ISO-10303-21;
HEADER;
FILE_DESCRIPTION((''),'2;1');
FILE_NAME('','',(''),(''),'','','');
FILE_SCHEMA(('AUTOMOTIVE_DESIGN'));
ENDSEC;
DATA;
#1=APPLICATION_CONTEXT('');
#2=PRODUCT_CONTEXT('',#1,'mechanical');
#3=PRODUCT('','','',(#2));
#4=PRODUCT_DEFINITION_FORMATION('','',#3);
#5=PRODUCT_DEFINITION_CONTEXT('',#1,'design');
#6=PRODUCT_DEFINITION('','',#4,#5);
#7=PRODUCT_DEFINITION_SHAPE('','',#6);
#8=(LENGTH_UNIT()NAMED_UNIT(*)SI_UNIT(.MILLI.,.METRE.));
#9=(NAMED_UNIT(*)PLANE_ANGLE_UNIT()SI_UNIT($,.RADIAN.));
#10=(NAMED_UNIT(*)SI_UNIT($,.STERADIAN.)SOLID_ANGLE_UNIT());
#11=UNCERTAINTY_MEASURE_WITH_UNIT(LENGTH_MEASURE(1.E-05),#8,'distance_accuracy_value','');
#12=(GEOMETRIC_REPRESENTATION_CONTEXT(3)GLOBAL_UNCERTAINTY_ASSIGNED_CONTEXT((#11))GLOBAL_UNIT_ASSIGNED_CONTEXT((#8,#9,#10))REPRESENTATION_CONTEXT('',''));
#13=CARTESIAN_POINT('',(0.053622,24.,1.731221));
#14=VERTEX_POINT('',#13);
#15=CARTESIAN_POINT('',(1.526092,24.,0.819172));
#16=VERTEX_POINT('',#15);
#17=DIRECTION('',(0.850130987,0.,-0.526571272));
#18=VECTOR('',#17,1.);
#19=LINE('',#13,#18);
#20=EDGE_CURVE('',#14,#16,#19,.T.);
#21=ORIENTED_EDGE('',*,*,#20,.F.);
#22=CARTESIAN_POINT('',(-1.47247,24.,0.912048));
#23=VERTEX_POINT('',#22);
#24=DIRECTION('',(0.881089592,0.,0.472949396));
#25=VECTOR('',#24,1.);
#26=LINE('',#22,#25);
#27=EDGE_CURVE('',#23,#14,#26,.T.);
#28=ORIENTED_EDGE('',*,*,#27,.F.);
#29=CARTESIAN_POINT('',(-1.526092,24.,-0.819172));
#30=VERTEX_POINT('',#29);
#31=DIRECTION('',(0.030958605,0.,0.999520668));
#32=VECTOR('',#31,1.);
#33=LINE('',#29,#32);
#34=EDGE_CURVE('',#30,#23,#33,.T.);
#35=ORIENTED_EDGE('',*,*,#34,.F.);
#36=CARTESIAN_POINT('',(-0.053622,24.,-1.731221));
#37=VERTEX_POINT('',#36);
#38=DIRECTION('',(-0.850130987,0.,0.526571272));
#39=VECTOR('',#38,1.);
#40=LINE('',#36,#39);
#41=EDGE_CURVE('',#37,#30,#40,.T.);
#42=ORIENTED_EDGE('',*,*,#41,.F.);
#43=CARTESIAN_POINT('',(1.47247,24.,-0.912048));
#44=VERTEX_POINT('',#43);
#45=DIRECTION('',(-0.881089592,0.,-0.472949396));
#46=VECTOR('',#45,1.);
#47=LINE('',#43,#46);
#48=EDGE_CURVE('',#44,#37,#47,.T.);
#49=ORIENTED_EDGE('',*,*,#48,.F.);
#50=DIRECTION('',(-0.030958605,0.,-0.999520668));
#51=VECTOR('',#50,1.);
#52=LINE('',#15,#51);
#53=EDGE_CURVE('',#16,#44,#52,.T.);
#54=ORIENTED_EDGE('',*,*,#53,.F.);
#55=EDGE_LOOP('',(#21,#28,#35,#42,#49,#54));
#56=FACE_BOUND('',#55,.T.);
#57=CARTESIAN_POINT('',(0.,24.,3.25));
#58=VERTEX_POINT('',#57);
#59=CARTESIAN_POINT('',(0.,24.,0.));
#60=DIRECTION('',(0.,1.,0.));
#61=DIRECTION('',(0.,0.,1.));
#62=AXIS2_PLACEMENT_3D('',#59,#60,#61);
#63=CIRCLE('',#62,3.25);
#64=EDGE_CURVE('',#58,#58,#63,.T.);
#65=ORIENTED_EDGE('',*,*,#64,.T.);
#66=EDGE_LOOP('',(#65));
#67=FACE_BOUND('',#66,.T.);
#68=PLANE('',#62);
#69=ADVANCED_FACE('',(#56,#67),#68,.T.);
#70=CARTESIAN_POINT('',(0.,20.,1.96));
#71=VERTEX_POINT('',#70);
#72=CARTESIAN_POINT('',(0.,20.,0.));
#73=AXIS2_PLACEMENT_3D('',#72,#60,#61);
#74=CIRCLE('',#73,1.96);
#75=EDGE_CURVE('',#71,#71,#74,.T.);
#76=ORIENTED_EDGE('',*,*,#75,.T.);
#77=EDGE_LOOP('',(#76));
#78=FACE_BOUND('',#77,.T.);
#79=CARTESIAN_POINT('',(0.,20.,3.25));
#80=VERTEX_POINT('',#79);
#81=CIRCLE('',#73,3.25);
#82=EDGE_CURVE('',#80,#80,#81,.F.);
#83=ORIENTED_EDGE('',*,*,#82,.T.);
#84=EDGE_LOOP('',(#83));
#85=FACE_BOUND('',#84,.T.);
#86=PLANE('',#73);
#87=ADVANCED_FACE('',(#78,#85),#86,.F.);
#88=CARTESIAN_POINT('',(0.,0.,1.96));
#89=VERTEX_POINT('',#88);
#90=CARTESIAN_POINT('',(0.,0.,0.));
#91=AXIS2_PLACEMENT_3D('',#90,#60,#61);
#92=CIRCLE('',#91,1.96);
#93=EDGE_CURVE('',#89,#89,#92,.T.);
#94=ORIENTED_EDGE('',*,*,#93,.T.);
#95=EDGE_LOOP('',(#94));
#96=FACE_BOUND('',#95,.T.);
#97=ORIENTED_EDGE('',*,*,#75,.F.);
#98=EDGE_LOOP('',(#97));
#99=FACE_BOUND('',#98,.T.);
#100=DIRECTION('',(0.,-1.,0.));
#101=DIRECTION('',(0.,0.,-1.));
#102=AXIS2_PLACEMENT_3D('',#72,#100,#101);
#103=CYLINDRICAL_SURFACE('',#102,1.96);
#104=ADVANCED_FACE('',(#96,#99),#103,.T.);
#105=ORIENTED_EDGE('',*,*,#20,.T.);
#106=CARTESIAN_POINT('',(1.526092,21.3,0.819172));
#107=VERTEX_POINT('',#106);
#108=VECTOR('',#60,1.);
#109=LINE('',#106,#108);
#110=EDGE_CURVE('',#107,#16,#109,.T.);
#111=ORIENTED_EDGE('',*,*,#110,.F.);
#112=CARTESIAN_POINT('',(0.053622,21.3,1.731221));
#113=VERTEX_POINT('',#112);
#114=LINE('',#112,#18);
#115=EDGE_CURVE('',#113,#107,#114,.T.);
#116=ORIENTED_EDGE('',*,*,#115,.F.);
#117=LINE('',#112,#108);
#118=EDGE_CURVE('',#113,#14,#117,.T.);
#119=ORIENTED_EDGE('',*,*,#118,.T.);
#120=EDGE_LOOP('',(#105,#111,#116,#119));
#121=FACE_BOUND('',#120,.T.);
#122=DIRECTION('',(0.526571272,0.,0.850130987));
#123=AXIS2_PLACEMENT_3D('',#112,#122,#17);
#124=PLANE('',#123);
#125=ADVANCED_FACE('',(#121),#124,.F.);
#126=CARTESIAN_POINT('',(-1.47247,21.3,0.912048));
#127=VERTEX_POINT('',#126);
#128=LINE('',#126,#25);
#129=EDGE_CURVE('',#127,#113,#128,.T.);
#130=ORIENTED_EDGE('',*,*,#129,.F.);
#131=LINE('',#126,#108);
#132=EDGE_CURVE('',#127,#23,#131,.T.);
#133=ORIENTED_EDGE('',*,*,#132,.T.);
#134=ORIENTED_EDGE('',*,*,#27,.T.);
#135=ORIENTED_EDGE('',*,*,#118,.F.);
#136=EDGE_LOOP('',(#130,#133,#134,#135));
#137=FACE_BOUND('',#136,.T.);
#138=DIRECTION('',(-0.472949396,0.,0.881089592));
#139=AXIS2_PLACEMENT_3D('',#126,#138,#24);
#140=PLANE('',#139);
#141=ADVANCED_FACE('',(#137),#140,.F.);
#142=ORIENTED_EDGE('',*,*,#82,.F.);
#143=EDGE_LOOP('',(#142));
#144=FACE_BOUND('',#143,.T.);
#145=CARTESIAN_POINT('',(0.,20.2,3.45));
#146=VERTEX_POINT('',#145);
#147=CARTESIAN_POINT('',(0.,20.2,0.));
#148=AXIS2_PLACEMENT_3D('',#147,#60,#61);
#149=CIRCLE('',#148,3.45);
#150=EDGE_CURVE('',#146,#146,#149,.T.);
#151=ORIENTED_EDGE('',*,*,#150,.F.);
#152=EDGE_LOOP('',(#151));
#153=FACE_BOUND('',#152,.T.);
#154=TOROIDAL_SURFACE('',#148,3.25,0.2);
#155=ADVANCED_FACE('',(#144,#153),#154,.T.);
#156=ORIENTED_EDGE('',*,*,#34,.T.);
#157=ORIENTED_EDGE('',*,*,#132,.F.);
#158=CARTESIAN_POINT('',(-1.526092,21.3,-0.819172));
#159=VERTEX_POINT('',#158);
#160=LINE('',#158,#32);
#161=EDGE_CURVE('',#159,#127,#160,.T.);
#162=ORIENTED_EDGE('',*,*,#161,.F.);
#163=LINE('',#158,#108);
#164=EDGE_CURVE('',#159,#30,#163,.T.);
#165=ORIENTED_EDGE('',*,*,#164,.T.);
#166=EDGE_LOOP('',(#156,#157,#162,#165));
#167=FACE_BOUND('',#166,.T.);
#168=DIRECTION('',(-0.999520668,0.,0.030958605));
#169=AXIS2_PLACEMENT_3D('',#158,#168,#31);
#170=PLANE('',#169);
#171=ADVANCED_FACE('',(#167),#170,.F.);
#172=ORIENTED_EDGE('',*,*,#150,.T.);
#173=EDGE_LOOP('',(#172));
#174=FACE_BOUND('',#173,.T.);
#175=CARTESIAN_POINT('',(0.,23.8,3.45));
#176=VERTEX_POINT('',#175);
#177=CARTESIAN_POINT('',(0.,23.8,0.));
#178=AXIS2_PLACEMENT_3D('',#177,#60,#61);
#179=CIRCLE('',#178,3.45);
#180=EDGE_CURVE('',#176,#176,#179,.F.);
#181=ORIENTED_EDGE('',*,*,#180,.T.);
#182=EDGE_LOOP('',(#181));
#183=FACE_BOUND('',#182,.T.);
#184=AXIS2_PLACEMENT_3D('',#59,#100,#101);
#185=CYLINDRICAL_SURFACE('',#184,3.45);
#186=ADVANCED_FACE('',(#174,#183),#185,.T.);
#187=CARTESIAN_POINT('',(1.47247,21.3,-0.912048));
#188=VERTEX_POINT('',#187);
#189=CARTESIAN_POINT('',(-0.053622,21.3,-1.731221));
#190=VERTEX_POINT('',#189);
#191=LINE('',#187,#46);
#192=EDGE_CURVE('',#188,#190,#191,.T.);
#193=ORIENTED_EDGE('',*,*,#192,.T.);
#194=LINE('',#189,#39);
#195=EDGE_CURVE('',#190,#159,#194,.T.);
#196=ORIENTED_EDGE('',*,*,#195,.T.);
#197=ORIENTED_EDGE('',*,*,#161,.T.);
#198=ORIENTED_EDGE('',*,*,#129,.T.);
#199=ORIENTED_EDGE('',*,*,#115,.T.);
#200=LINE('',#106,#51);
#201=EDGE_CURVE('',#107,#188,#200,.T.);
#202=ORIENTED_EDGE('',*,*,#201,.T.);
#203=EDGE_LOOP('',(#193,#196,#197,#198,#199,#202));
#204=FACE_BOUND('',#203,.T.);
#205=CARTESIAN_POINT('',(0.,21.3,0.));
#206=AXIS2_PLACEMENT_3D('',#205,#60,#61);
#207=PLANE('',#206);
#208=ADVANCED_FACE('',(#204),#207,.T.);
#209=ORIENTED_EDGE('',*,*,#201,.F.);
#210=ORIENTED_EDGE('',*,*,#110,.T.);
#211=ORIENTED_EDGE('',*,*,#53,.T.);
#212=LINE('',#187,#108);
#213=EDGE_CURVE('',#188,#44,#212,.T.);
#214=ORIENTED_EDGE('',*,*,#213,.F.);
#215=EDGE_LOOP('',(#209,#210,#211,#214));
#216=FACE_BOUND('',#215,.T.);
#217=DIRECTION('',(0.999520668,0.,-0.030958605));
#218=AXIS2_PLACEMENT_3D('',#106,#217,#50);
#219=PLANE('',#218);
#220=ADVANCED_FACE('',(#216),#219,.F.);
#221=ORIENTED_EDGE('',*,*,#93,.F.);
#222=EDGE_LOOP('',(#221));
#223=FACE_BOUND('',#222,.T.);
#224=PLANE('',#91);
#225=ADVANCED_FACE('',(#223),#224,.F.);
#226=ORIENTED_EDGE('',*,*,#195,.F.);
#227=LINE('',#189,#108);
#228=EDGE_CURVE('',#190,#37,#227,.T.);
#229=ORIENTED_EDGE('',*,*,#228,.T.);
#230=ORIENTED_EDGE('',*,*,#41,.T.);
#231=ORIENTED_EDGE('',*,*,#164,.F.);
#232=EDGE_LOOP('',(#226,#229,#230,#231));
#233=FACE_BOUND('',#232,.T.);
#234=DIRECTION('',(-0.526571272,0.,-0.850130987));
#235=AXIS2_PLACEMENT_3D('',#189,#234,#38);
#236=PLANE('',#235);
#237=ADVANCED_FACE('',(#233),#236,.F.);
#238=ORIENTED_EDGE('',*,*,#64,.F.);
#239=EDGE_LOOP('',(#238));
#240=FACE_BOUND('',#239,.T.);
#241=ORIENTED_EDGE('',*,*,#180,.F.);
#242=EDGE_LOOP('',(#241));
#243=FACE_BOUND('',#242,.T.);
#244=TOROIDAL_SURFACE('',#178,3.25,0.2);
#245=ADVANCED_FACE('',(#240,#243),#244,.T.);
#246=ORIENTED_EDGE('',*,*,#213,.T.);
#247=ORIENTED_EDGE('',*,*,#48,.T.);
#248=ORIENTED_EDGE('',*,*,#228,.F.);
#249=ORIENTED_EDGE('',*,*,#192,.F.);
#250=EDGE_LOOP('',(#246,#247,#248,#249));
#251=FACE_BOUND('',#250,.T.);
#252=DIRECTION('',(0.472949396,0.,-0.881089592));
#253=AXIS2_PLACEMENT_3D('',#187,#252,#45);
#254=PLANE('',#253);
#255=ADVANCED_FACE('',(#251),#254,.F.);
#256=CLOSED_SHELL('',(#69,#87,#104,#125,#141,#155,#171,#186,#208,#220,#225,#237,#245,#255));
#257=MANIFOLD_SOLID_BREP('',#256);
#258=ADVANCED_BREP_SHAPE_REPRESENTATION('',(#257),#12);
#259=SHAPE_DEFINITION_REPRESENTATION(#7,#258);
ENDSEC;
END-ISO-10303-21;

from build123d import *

# Parameters (mm, degrees)
SKETCH1_R           = 1.96
BOSS_EXTRUDE1_DEPTH = 20
SKETCH2_R           = 3.45
BOSS_EXTRUDE2_DEPTH = 4
CUT_EXTRUDE1_DEPTH  = 2.7
FILLET1_R           = 0.2


with BuildPart() as part:
    # Sketch1 → Boss-Extrude1 (new body)
    with BuildSketch(Plane(origin=(0, 0, 0), x_dir=(1, 0, 0), z_dir=(0, 1, 0))):
        with Locations(Location((0, 0, 0), (0, 0, 270))):
            Circle(SKETCH1_R)
    extrude(amount=BOSS_EXTRUDE1_DEPTH)

    # Sketch2 → Boss-Extrude2 (add)
    with BuildSketch(Plane(origin=(0, 20, 0), x_dir=(1, 0, 0), z_dir=(0, 1, 0))):
        with Locations(Location((0, 0, 0), (0, 0, 270))):
            Circle(SKETCH2_R)
    extrude(amount=BOSS_EXTRUDE2_DEPTH)

    # Sketch3 → Cut-Extrude1 (cut)
    with BuildSketch(Plane(origin=(0, 24, 0), x_dir=(1, 0, 0), z_dir=(0, 1, 0))):
        Polygon((-0.053621876, 1.731220579), (-1.526091939, 0.819172383), (-1.472470063, -0.912048197), (0.053621876, -1.731220579), (1.526091939, -0.819172383), (1.472470063, 0.912048197), align=None)
    extrude(amount=-CUT_EXTRUDE1_DEPTH, mode=Mode.SUBTRACT)

    # Fillet1
    fillet1_edges = [part.edges().sort_by_distance(p)[0] for p in [
        (0, 20, -3.45),
        (0, 24, -3.45),
    ]]
    fillet(fillet1_edges, radius=FILLET1_R)


solid = part.part
